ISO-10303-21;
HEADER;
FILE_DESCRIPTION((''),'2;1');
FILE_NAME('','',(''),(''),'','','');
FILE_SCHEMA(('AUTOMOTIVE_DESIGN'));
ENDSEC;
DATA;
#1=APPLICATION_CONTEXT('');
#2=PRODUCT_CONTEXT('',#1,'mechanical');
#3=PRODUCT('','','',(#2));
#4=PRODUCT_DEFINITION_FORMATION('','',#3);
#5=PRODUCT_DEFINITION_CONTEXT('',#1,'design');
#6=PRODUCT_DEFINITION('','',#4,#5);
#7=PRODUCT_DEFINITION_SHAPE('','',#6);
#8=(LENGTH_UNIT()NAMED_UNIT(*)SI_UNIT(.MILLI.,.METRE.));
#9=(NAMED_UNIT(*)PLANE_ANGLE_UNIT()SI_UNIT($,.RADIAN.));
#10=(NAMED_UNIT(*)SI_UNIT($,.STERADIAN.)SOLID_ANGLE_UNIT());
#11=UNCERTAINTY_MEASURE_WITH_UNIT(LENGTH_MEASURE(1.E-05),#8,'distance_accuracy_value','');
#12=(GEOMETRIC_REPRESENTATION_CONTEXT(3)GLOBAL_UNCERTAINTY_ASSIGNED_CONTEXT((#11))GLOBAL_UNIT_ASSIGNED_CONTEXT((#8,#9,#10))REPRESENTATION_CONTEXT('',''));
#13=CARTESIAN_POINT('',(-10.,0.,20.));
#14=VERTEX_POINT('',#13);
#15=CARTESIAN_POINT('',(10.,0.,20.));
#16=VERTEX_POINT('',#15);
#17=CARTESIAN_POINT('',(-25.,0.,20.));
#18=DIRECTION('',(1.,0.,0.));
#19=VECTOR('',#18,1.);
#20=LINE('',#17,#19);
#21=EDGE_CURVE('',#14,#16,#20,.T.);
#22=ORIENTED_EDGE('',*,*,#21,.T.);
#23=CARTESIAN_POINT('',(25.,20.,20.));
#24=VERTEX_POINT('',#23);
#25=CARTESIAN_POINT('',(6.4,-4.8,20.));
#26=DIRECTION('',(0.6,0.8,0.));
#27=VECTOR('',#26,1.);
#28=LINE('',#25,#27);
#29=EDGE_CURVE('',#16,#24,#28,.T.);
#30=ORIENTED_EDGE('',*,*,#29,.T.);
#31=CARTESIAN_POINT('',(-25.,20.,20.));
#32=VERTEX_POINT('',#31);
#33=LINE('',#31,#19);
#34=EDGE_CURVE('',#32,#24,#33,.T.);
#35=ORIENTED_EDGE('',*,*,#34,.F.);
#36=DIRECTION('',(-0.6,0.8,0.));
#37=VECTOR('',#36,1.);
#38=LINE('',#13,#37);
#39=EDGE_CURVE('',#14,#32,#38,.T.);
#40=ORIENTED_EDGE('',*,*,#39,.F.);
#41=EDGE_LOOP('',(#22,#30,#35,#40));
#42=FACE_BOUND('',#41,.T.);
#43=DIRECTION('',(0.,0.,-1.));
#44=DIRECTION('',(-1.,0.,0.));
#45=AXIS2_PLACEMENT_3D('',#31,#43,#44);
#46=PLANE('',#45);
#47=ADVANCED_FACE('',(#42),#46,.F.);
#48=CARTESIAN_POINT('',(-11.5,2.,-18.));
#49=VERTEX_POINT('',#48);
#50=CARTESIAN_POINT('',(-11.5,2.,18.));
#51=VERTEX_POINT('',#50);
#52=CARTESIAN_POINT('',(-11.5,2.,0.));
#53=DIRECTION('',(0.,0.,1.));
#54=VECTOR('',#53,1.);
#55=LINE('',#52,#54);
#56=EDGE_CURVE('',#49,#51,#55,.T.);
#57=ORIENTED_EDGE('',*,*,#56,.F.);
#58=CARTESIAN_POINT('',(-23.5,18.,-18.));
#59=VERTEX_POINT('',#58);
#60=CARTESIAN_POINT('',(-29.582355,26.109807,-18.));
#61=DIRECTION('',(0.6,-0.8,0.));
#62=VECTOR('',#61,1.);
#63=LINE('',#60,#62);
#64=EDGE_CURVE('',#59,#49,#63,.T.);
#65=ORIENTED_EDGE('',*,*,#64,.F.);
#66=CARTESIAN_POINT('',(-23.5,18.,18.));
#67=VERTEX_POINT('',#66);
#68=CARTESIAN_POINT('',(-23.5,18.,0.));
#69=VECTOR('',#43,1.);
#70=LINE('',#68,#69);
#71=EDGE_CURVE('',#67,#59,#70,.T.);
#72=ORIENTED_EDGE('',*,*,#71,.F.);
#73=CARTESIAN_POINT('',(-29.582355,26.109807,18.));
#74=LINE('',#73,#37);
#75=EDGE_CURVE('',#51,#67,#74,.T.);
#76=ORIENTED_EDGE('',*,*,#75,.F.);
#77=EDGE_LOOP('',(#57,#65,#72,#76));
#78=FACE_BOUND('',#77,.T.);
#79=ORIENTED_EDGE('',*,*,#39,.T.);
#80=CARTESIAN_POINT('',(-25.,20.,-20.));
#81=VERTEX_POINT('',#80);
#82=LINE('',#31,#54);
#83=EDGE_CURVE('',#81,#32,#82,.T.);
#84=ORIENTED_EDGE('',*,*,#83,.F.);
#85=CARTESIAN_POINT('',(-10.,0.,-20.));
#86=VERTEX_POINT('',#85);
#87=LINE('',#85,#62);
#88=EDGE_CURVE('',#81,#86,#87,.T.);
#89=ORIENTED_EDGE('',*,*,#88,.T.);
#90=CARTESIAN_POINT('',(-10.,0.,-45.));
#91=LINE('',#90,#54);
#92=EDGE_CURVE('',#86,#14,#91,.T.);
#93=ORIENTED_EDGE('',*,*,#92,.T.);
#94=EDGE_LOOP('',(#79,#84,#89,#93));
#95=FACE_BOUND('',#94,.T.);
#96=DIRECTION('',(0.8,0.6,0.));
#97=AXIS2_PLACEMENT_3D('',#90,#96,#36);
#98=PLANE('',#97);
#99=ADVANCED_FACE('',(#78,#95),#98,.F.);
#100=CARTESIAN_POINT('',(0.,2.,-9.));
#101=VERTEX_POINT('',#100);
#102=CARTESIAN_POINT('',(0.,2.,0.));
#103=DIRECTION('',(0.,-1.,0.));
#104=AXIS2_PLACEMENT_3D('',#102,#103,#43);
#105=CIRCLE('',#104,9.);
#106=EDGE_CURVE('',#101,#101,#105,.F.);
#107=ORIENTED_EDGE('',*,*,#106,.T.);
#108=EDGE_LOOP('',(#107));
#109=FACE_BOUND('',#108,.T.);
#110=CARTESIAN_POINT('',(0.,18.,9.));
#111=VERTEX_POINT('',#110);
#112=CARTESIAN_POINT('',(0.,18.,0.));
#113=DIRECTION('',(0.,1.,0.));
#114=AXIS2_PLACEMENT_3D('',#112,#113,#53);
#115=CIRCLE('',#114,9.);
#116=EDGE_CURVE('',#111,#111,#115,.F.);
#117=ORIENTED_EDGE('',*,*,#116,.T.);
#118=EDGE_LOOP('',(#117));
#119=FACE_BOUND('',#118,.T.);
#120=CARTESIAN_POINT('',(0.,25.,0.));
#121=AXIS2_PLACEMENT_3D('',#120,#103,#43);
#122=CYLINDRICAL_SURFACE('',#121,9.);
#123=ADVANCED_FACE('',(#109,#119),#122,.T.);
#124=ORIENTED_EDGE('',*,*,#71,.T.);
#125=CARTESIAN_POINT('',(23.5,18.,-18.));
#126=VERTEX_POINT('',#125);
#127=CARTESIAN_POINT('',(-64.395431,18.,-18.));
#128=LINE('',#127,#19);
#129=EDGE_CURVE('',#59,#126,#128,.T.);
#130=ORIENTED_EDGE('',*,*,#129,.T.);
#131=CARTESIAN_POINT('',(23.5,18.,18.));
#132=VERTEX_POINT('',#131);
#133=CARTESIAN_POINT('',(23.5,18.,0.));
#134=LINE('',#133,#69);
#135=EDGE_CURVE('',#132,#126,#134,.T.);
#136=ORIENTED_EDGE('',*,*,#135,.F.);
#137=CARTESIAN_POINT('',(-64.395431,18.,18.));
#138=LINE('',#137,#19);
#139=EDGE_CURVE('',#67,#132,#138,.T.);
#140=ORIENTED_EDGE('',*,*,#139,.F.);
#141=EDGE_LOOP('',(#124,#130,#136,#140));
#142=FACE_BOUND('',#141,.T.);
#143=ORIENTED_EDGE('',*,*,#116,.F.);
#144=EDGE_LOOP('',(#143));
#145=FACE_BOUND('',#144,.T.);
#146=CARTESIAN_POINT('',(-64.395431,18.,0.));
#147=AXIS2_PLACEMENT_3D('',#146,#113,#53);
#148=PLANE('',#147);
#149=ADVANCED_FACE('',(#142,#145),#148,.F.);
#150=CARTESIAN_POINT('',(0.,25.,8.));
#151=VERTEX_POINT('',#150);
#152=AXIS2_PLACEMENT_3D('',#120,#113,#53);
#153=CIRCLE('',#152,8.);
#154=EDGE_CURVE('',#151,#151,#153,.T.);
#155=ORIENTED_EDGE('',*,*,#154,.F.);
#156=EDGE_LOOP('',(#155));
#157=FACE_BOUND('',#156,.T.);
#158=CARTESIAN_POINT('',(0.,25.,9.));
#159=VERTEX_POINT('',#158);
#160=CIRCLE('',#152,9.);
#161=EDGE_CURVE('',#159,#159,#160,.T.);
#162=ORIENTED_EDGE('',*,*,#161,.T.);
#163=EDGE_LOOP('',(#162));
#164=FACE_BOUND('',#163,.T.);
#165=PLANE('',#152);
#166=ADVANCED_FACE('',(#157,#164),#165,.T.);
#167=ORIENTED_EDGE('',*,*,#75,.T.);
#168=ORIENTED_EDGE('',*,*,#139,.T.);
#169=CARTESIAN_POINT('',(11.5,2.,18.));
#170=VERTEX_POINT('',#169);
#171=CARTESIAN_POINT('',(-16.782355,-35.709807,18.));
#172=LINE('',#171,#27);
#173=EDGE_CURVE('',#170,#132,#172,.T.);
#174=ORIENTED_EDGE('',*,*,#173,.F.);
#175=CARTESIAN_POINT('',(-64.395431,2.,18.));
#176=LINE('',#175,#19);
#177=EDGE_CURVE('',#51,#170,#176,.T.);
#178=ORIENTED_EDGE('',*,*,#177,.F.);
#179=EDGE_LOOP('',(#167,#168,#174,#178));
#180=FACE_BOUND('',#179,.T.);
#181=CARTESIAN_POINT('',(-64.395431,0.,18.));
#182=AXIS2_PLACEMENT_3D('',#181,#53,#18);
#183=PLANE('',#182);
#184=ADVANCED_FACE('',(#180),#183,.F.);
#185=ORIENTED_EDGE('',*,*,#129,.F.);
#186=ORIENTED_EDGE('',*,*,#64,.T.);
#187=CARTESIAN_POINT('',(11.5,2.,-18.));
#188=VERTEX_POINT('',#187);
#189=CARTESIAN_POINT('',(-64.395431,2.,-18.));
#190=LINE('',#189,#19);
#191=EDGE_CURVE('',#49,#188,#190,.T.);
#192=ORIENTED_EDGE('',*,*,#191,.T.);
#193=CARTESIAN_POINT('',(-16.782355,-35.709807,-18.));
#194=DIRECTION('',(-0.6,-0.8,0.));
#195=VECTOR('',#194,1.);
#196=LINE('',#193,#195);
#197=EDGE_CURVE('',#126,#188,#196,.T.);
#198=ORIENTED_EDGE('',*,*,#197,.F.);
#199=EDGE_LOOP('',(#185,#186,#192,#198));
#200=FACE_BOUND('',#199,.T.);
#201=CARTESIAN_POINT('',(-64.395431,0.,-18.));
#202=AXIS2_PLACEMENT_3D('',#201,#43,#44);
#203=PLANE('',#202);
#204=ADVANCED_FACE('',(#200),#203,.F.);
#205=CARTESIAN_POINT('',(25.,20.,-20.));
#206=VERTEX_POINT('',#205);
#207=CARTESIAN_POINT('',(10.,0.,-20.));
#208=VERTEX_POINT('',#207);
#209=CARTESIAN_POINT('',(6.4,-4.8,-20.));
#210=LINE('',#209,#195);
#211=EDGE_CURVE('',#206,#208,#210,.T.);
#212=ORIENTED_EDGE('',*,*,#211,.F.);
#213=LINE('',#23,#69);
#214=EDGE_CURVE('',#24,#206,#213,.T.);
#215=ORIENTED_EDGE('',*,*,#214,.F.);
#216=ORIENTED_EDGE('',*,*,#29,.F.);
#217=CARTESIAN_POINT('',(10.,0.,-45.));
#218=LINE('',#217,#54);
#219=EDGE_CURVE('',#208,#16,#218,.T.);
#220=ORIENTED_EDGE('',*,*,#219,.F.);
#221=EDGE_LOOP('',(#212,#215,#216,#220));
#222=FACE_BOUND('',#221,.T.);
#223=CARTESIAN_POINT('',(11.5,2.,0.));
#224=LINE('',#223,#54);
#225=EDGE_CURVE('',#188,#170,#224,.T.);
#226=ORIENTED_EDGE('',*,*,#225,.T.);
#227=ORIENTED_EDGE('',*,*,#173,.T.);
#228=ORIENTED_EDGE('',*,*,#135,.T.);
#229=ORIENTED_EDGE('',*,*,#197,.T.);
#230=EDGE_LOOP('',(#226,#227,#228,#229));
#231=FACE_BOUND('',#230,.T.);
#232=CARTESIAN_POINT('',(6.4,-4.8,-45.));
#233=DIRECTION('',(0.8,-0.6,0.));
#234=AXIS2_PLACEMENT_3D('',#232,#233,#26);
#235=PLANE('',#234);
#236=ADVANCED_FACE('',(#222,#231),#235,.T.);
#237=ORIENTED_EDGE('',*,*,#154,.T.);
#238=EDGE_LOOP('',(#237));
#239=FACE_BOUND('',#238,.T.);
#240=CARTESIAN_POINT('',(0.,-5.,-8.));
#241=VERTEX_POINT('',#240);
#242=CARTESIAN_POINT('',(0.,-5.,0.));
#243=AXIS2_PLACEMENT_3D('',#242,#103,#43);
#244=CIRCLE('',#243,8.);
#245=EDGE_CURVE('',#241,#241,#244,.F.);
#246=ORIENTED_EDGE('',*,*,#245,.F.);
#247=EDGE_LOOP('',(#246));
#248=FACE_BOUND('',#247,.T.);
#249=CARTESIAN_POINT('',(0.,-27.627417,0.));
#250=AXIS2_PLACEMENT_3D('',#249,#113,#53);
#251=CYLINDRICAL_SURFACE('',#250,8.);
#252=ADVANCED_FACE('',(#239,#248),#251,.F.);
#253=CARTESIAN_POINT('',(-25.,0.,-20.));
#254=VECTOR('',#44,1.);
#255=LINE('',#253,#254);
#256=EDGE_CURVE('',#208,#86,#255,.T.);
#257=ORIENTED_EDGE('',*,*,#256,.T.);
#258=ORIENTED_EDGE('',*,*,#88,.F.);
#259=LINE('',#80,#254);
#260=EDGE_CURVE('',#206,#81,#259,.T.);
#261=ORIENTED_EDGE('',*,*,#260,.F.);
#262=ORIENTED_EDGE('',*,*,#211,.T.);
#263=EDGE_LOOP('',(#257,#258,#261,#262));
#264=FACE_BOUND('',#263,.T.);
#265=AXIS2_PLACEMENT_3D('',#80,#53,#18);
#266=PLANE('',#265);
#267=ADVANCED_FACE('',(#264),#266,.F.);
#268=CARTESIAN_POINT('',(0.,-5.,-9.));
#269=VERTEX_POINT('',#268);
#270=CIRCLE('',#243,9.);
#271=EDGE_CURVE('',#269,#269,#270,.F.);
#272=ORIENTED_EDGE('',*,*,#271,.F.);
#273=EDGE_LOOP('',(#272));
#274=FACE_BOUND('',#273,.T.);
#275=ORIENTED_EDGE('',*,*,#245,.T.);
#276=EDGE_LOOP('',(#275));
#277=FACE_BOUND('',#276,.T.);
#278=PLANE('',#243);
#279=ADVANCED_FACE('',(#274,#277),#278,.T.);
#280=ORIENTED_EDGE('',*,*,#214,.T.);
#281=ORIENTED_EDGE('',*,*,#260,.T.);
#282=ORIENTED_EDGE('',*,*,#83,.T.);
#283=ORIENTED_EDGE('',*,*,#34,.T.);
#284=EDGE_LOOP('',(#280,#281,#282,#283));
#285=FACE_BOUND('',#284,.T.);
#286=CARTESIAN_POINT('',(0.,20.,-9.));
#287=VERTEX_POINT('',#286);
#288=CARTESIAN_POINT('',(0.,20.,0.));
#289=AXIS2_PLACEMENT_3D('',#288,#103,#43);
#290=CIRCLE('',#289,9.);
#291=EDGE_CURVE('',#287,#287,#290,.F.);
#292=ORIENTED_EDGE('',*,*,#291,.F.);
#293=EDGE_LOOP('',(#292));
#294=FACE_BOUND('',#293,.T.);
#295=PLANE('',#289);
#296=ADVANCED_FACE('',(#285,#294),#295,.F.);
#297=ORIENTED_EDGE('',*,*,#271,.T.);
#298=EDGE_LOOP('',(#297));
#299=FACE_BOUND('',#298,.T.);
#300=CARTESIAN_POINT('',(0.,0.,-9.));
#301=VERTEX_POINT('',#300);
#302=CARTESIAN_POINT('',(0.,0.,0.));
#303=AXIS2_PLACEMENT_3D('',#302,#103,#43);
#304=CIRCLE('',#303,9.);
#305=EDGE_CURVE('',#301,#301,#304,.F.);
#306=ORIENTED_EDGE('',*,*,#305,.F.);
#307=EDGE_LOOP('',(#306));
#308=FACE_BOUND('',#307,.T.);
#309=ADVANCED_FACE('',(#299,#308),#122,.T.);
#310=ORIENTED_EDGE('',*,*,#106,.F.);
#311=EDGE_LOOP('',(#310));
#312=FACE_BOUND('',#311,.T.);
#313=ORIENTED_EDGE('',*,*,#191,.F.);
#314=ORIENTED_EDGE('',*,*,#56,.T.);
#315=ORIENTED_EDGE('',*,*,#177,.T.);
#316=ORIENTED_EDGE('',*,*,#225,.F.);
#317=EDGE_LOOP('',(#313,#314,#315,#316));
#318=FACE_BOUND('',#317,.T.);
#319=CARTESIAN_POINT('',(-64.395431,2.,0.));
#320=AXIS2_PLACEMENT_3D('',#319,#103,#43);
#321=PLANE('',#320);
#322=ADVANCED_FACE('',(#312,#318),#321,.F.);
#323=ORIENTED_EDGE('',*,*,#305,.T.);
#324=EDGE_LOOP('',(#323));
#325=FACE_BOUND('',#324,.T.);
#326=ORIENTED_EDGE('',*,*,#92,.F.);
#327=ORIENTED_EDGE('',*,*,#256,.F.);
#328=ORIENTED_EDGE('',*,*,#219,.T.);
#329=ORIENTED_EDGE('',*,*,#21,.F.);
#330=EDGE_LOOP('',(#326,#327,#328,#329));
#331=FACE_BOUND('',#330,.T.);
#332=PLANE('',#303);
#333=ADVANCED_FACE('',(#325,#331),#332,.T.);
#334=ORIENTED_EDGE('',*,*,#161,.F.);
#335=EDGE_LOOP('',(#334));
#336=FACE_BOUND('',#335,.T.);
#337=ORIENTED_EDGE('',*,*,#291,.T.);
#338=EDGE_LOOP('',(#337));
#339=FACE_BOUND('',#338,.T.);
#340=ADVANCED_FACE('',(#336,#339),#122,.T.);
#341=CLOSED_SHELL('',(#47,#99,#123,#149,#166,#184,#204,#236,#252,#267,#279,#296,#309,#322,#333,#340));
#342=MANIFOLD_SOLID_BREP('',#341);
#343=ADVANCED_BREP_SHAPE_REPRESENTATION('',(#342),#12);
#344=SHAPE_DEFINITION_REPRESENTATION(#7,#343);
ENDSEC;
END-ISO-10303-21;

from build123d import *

# Parameters (mm, degrees)
SKETCH1_W                = 50
SKETCH1_H                = 40
BOSS_EXTRUDE1_DEPTH      = 20
SKETCH2_W                = 36
SKETCH2_H                = 16
CUT_EXTRUDE1_DEPTH       = 50
CUT_EXTRUDE2_REACH       = 53.235
BOSS_EXTRUDE2_DEPTH      = 5
BOSS_EXTRUDE2_DEPTH_BACK = 25
SKETCH5_R                = 9
BOSS_EXTRUDE3_START      = -19
SKETCH8_R                = 9
BOSS_EXTRUDE3_DEPTH      = 19
SKETCH9_R                = 8
CUT_EXTRUDE4_DEPTH       = 30


with BuildPart() as part:
    # Sketch1 → Boss-Extrude1 (new body)
    with BuildSketch(Plane(origin=(0, 0, 0), x_dir=(1, 0, 0), z_dir=(0, 1, 0))):
        Rectangle(SKETCH1_W, SKETCH1_H)
    extrude(amount=BOSS_EXTRUDE1_DEPTH)

    # Sketch2 → Cut-Extrude1 (cut)
    with BuildSketch(Plane(origin=(25, 0, 0), x_dir=(0, 0, -1), z_dir=(1, 0, 0))):
        with Locations((0, 10)):
            Rectangle(SKETCH2_W, SKETCH2_H)
    extrude(amount=-CUT_EXTRUDE1_DEPTH, mode=Mode.SUBTRACT)

    # Cut-Extrude2: up to this face of the body (flat: up to its plane)
    cut_extrude2_end = Plane(part.part.faces().sort_by_distance((0, 10, -20))[0])
    # Sketch3 → Cut-Extrude2 (cut, up to the picked face)
    with BuildSketch(Plane.XY.offset(20), mode=Mode.PRIVATE) as cut_extrude2_sk1:
        Polygon((25, 0), (25, 20), (10, 0), align=None)
    cut_extrude2_tool1 = split(extrude(cut_extrude2_sk1.sketch, amount=-CUT_EXTRUDE2_REACH, mode=Mode.PRIVATE), bisect_by=cut_extrude2_end, keep=Keep.BOTH, mode=Mode.PRIVATE)
    # Sketch3 → Cut-Extrude2 (cut, up to the picked face)
    with BuildSketch(Plane.XY.offset(20), mode=Mode.PRIVATE) as cut_extrude2_sk2:
        Polygon((-10, 0), (-25, 20), (-25, 0), align=None)
    cut_extrude2_tool2 = split(extrude(cut_extrude2_sk2.sketch, amount=-CUT_EXTRUDE2_REACH, mode=Mode.PRIVATE), bisect_by=cut_extrude2_end, keep=Keep.BOTH, mode=Mode.PRIVATE)
    add(cut_extrude2_tool1.solids().sort_by(Axis((20, 6.666667, 20), (0, 0, -1)))[0], mode=Mode.SUBTRACT)
    add(cut_extrude2_tool2.solids().sort_by(Axis((-20, 6.666667, 20), (0, 0, -1)))[0], mode=Mode.SUBTRACT)

    # Sketch5 → Boss-Extrude2 (add, two sides: drawn at the far end of the back side and taken through both)
    with BuildSketch(Plane(origin=(0, 20, 0), x_dir=(1, 0, 0), z_dir=(0, 1, 0)).offset(-BOSS_EXTRUDE2_DEPTH_BACK)):
        with Locations(Location((0, 0, 0), (0, 0, 90))):
            Circle(SKETCH5_R)
    extrude(amount=BOSS_EXTRUDE2_DEPTH + BOSS_EXTRUDE2_DEPTH_BACK)

    # Sketch8 → Boss-Extrude3 (add)
    with BuildSketch(Plane(origin=(0, -5, 0), x_dir=(-1, 0, 0), z_dir=(0, -1, 0)).offset(BOSS_EXTRUDE3_START)):
        with Locations(Location((0, 0, 0), (0, 0, 90))):
            Circle(SKETCH8_R)
    extrude(amount=BOSS_EXTRUDE3_DEPTH)

    # Sketch9 → Cut-Extrude4 (cut)
    with BuildSketch(Plane(origin=(0, 25, 0), x_dir=(1, 0, 0), z_dir=(0, 1, 0))):
        with Locations(Location((0, 0, 0), (0, 0, 270))):
            Circle(SKETCH9_R)
    extrude(amount=-CUT_EXTRUDE4_DEPTH, mode=Mode.SUBTRACT)


solid = part.part
